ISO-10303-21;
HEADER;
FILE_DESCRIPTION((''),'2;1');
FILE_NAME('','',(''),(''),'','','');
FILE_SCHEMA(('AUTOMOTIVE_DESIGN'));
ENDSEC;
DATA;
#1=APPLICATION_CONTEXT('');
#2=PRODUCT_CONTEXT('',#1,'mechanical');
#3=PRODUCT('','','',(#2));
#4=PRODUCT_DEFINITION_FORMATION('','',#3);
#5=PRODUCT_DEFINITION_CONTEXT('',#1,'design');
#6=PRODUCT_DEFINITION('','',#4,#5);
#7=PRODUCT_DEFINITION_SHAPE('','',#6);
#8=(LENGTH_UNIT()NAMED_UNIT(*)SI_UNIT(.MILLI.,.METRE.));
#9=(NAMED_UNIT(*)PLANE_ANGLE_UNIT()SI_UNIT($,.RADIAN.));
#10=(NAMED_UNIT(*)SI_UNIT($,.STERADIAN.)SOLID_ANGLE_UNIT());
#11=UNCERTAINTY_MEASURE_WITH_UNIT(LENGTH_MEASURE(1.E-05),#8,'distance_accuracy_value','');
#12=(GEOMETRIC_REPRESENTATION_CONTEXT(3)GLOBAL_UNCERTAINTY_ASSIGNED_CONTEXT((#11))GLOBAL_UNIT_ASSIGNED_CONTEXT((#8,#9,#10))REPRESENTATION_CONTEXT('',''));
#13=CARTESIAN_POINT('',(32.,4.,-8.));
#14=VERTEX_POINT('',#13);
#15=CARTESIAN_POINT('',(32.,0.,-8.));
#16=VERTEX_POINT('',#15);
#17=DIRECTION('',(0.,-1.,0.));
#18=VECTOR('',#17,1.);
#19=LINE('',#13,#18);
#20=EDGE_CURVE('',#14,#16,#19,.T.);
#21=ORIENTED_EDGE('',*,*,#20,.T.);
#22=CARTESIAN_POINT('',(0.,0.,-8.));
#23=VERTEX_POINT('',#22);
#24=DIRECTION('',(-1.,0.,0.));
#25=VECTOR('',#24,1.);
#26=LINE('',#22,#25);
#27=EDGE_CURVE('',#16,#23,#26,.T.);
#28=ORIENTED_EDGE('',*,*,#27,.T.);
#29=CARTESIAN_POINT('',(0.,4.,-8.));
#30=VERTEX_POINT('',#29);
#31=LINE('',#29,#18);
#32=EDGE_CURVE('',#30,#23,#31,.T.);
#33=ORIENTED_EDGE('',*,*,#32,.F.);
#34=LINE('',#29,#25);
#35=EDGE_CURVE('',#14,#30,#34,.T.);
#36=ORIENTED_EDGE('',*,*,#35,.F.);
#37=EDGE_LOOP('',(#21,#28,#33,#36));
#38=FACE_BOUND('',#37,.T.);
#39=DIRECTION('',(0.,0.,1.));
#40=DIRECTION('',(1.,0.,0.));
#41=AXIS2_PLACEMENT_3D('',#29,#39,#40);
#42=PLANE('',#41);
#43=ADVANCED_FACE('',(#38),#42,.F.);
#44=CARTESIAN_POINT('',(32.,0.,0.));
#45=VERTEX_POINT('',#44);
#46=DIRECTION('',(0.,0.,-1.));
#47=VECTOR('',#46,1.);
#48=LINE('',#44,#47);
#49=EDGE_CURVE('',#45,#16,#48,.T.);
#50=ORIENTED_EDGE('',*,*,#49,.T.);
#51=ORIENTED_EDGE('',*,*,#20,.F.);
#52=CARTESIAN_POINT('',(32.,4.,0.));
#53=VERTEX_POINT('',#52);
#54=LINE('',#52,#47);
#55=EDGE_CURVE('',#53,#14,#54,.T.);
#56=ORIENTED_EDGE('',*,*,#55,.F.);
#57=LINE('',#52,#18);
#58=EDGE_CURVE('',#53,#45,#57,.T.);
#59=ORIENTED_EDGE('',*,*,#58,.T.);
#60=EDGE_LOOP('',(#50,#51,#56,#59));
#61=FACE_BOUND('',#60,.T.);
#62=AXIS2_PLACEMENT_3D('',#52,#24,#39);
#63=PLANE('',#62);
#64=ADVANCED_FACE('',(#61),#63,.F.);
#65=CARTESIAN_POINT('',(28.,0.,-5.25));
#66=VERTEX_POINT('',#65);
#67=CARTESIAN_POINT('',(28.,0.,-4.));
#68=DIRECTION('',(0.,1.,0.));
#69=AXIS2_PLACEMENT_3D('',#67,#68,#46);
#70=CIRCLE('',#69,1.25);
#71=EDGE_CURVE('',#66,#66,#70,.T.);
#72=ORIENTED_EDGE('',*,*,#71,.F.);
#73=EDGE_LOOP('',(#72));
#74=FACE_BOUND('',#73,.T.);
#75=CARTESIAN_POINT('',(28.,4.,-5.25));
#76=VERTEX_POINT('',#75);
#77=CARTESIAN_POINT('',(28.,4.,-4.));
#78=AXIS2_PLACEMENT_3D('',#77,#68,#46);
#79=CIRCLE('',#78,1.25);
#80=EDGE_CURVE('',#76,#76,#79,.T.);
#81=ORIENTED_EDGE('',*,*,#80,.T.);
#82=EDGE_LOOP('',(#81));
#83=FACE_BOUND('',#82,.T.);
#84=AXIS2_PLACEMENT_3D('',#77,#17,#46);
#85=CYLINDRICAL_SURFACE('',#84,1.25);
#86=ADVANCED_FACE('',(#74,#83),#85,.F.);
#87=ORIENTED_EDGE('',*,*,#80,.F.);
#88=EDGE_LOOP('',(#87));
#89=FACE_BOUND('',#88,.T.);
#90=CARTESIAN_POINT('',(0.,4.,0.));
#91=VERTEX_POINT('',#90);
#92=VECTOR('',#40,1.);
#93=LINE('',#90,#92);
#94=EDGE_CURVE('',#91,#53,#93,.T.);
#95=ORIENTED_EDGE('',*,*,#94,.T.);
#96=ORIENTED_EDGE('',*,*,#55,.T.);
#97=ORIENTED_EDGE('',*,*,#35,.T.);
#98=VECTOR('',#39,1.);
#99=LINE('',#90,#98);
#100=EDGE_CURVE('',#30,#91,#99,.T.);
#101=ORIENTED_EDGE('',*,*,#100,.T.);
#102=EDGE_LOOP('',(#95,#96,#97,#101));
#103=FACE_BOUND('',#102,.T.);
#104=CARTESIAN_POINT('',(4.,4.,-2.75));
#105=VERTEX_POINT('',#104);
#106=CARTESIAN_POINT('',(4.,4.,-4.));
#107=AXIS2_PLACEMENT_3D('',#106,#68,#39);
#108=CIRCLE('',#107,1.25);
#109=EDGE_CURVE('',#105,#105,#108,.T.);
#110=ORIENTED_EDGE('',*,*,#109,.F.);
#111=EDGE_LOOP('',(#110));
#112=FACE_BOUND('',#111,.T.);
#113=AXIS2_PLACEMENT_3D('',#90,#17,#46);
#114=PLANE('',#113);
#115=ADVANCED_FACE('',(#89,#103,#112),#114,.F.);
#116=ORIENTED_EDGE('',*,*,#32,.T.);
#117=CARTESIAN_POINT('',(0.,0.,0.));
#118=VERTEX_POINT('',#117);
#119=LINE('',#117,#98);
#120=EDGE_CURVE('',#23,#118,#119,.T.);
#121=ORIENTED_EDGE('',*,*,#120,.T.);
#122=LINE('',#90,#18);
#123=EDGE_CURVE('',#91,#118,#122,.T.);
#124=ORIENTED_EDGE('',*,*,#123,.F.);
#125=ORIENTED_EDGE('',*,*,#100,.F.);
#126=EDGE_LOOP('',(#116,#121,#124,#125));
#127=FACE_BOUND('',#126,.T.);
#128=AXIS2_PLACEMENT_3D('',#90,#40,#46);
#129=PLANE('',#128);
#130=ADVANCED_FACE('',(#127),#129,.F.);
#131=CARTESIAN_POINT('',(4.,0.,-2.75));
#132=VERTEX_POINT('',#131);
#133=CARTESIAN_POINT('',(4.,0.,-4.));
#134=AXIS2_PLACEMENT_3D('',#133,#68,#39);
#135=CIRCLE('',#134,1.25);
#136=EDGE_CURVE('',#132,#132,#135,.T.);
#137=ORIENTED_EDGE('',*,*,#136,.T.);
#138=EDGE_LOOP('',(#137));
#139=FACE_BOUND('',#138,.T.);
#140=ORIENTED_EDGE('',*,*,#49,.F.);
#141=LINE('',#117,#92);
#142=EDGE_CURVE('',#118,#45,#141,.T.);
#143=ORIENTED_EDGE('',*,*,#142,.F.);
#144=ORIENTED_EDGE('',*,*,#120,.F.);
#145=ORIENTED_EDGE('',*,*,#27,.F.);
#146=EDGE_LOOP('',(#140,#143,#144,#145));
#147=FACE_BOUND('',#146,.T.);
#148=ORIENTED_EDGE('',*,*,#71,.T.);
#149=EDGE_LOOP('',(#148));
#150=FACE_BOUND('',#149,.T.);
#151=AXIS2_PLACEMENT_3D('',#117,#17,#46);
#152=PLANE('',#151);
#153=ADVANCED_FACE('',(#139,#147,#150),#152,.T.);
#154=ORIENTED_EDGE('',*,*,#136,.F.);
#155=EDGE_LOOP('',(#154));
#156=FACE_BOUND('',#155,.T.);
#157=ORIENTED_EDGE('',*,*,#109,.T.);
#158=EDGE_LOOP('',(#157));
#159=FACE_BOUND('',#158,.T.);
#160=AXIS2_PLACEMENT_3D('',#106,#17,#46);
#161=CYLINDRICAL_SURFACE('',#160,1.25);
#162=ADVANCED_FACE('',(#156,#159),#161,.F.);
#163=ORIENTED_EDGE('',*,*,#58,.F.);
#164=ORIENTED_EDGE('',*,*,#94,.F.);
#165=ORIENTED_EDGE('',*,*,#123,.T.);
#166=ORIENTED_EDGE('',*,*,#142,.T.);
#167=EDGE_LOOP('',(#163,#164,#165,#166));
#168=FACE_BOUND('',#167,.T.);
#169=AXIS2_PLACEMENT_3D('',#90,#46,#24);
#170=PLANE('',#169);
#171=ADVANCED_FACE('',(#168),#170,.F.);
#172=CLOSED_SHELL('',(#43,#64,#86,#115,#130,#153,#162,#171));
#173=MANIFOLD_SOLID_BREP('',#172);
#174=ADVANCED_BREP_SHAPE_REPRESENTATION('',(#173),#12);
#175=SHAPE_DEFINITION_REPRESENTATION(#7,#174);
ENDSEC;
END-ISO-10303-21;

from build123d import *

# Parameters (mm, degrees)
SKETCH_1_W      = 32
SKETCH_1_H      = 8
SKETCH_1_R      = 1.25
EXTRUDE_1_DEPTH = 4


with BuildPart() as part:
    # Эскиз1 → Бобышка-Вытянуть1 (new body)
    with BuildSketch(Plane(origin=(0, 0, 0), x_dir=(1, 0, 0), z_dir=(0, 1, 0))):
        with Locations((16, 4)):
            Rectangle(SKETCH_1_W, SKETCH_1_H)
        with Locations(Location((4, 4, 0), (0, 0, 270))):
            Circle(SKETCH_1_R, mode=Mode.SUBTRACT)
        with Locations(Location((28, 4, 0), (0, 0, 90))):
            Circle(SKETCH_1_R, mode=Mode.SUBTRACT)
    extrude(amount=EXTRUDE_1_DEPTH)


solid = part.part
